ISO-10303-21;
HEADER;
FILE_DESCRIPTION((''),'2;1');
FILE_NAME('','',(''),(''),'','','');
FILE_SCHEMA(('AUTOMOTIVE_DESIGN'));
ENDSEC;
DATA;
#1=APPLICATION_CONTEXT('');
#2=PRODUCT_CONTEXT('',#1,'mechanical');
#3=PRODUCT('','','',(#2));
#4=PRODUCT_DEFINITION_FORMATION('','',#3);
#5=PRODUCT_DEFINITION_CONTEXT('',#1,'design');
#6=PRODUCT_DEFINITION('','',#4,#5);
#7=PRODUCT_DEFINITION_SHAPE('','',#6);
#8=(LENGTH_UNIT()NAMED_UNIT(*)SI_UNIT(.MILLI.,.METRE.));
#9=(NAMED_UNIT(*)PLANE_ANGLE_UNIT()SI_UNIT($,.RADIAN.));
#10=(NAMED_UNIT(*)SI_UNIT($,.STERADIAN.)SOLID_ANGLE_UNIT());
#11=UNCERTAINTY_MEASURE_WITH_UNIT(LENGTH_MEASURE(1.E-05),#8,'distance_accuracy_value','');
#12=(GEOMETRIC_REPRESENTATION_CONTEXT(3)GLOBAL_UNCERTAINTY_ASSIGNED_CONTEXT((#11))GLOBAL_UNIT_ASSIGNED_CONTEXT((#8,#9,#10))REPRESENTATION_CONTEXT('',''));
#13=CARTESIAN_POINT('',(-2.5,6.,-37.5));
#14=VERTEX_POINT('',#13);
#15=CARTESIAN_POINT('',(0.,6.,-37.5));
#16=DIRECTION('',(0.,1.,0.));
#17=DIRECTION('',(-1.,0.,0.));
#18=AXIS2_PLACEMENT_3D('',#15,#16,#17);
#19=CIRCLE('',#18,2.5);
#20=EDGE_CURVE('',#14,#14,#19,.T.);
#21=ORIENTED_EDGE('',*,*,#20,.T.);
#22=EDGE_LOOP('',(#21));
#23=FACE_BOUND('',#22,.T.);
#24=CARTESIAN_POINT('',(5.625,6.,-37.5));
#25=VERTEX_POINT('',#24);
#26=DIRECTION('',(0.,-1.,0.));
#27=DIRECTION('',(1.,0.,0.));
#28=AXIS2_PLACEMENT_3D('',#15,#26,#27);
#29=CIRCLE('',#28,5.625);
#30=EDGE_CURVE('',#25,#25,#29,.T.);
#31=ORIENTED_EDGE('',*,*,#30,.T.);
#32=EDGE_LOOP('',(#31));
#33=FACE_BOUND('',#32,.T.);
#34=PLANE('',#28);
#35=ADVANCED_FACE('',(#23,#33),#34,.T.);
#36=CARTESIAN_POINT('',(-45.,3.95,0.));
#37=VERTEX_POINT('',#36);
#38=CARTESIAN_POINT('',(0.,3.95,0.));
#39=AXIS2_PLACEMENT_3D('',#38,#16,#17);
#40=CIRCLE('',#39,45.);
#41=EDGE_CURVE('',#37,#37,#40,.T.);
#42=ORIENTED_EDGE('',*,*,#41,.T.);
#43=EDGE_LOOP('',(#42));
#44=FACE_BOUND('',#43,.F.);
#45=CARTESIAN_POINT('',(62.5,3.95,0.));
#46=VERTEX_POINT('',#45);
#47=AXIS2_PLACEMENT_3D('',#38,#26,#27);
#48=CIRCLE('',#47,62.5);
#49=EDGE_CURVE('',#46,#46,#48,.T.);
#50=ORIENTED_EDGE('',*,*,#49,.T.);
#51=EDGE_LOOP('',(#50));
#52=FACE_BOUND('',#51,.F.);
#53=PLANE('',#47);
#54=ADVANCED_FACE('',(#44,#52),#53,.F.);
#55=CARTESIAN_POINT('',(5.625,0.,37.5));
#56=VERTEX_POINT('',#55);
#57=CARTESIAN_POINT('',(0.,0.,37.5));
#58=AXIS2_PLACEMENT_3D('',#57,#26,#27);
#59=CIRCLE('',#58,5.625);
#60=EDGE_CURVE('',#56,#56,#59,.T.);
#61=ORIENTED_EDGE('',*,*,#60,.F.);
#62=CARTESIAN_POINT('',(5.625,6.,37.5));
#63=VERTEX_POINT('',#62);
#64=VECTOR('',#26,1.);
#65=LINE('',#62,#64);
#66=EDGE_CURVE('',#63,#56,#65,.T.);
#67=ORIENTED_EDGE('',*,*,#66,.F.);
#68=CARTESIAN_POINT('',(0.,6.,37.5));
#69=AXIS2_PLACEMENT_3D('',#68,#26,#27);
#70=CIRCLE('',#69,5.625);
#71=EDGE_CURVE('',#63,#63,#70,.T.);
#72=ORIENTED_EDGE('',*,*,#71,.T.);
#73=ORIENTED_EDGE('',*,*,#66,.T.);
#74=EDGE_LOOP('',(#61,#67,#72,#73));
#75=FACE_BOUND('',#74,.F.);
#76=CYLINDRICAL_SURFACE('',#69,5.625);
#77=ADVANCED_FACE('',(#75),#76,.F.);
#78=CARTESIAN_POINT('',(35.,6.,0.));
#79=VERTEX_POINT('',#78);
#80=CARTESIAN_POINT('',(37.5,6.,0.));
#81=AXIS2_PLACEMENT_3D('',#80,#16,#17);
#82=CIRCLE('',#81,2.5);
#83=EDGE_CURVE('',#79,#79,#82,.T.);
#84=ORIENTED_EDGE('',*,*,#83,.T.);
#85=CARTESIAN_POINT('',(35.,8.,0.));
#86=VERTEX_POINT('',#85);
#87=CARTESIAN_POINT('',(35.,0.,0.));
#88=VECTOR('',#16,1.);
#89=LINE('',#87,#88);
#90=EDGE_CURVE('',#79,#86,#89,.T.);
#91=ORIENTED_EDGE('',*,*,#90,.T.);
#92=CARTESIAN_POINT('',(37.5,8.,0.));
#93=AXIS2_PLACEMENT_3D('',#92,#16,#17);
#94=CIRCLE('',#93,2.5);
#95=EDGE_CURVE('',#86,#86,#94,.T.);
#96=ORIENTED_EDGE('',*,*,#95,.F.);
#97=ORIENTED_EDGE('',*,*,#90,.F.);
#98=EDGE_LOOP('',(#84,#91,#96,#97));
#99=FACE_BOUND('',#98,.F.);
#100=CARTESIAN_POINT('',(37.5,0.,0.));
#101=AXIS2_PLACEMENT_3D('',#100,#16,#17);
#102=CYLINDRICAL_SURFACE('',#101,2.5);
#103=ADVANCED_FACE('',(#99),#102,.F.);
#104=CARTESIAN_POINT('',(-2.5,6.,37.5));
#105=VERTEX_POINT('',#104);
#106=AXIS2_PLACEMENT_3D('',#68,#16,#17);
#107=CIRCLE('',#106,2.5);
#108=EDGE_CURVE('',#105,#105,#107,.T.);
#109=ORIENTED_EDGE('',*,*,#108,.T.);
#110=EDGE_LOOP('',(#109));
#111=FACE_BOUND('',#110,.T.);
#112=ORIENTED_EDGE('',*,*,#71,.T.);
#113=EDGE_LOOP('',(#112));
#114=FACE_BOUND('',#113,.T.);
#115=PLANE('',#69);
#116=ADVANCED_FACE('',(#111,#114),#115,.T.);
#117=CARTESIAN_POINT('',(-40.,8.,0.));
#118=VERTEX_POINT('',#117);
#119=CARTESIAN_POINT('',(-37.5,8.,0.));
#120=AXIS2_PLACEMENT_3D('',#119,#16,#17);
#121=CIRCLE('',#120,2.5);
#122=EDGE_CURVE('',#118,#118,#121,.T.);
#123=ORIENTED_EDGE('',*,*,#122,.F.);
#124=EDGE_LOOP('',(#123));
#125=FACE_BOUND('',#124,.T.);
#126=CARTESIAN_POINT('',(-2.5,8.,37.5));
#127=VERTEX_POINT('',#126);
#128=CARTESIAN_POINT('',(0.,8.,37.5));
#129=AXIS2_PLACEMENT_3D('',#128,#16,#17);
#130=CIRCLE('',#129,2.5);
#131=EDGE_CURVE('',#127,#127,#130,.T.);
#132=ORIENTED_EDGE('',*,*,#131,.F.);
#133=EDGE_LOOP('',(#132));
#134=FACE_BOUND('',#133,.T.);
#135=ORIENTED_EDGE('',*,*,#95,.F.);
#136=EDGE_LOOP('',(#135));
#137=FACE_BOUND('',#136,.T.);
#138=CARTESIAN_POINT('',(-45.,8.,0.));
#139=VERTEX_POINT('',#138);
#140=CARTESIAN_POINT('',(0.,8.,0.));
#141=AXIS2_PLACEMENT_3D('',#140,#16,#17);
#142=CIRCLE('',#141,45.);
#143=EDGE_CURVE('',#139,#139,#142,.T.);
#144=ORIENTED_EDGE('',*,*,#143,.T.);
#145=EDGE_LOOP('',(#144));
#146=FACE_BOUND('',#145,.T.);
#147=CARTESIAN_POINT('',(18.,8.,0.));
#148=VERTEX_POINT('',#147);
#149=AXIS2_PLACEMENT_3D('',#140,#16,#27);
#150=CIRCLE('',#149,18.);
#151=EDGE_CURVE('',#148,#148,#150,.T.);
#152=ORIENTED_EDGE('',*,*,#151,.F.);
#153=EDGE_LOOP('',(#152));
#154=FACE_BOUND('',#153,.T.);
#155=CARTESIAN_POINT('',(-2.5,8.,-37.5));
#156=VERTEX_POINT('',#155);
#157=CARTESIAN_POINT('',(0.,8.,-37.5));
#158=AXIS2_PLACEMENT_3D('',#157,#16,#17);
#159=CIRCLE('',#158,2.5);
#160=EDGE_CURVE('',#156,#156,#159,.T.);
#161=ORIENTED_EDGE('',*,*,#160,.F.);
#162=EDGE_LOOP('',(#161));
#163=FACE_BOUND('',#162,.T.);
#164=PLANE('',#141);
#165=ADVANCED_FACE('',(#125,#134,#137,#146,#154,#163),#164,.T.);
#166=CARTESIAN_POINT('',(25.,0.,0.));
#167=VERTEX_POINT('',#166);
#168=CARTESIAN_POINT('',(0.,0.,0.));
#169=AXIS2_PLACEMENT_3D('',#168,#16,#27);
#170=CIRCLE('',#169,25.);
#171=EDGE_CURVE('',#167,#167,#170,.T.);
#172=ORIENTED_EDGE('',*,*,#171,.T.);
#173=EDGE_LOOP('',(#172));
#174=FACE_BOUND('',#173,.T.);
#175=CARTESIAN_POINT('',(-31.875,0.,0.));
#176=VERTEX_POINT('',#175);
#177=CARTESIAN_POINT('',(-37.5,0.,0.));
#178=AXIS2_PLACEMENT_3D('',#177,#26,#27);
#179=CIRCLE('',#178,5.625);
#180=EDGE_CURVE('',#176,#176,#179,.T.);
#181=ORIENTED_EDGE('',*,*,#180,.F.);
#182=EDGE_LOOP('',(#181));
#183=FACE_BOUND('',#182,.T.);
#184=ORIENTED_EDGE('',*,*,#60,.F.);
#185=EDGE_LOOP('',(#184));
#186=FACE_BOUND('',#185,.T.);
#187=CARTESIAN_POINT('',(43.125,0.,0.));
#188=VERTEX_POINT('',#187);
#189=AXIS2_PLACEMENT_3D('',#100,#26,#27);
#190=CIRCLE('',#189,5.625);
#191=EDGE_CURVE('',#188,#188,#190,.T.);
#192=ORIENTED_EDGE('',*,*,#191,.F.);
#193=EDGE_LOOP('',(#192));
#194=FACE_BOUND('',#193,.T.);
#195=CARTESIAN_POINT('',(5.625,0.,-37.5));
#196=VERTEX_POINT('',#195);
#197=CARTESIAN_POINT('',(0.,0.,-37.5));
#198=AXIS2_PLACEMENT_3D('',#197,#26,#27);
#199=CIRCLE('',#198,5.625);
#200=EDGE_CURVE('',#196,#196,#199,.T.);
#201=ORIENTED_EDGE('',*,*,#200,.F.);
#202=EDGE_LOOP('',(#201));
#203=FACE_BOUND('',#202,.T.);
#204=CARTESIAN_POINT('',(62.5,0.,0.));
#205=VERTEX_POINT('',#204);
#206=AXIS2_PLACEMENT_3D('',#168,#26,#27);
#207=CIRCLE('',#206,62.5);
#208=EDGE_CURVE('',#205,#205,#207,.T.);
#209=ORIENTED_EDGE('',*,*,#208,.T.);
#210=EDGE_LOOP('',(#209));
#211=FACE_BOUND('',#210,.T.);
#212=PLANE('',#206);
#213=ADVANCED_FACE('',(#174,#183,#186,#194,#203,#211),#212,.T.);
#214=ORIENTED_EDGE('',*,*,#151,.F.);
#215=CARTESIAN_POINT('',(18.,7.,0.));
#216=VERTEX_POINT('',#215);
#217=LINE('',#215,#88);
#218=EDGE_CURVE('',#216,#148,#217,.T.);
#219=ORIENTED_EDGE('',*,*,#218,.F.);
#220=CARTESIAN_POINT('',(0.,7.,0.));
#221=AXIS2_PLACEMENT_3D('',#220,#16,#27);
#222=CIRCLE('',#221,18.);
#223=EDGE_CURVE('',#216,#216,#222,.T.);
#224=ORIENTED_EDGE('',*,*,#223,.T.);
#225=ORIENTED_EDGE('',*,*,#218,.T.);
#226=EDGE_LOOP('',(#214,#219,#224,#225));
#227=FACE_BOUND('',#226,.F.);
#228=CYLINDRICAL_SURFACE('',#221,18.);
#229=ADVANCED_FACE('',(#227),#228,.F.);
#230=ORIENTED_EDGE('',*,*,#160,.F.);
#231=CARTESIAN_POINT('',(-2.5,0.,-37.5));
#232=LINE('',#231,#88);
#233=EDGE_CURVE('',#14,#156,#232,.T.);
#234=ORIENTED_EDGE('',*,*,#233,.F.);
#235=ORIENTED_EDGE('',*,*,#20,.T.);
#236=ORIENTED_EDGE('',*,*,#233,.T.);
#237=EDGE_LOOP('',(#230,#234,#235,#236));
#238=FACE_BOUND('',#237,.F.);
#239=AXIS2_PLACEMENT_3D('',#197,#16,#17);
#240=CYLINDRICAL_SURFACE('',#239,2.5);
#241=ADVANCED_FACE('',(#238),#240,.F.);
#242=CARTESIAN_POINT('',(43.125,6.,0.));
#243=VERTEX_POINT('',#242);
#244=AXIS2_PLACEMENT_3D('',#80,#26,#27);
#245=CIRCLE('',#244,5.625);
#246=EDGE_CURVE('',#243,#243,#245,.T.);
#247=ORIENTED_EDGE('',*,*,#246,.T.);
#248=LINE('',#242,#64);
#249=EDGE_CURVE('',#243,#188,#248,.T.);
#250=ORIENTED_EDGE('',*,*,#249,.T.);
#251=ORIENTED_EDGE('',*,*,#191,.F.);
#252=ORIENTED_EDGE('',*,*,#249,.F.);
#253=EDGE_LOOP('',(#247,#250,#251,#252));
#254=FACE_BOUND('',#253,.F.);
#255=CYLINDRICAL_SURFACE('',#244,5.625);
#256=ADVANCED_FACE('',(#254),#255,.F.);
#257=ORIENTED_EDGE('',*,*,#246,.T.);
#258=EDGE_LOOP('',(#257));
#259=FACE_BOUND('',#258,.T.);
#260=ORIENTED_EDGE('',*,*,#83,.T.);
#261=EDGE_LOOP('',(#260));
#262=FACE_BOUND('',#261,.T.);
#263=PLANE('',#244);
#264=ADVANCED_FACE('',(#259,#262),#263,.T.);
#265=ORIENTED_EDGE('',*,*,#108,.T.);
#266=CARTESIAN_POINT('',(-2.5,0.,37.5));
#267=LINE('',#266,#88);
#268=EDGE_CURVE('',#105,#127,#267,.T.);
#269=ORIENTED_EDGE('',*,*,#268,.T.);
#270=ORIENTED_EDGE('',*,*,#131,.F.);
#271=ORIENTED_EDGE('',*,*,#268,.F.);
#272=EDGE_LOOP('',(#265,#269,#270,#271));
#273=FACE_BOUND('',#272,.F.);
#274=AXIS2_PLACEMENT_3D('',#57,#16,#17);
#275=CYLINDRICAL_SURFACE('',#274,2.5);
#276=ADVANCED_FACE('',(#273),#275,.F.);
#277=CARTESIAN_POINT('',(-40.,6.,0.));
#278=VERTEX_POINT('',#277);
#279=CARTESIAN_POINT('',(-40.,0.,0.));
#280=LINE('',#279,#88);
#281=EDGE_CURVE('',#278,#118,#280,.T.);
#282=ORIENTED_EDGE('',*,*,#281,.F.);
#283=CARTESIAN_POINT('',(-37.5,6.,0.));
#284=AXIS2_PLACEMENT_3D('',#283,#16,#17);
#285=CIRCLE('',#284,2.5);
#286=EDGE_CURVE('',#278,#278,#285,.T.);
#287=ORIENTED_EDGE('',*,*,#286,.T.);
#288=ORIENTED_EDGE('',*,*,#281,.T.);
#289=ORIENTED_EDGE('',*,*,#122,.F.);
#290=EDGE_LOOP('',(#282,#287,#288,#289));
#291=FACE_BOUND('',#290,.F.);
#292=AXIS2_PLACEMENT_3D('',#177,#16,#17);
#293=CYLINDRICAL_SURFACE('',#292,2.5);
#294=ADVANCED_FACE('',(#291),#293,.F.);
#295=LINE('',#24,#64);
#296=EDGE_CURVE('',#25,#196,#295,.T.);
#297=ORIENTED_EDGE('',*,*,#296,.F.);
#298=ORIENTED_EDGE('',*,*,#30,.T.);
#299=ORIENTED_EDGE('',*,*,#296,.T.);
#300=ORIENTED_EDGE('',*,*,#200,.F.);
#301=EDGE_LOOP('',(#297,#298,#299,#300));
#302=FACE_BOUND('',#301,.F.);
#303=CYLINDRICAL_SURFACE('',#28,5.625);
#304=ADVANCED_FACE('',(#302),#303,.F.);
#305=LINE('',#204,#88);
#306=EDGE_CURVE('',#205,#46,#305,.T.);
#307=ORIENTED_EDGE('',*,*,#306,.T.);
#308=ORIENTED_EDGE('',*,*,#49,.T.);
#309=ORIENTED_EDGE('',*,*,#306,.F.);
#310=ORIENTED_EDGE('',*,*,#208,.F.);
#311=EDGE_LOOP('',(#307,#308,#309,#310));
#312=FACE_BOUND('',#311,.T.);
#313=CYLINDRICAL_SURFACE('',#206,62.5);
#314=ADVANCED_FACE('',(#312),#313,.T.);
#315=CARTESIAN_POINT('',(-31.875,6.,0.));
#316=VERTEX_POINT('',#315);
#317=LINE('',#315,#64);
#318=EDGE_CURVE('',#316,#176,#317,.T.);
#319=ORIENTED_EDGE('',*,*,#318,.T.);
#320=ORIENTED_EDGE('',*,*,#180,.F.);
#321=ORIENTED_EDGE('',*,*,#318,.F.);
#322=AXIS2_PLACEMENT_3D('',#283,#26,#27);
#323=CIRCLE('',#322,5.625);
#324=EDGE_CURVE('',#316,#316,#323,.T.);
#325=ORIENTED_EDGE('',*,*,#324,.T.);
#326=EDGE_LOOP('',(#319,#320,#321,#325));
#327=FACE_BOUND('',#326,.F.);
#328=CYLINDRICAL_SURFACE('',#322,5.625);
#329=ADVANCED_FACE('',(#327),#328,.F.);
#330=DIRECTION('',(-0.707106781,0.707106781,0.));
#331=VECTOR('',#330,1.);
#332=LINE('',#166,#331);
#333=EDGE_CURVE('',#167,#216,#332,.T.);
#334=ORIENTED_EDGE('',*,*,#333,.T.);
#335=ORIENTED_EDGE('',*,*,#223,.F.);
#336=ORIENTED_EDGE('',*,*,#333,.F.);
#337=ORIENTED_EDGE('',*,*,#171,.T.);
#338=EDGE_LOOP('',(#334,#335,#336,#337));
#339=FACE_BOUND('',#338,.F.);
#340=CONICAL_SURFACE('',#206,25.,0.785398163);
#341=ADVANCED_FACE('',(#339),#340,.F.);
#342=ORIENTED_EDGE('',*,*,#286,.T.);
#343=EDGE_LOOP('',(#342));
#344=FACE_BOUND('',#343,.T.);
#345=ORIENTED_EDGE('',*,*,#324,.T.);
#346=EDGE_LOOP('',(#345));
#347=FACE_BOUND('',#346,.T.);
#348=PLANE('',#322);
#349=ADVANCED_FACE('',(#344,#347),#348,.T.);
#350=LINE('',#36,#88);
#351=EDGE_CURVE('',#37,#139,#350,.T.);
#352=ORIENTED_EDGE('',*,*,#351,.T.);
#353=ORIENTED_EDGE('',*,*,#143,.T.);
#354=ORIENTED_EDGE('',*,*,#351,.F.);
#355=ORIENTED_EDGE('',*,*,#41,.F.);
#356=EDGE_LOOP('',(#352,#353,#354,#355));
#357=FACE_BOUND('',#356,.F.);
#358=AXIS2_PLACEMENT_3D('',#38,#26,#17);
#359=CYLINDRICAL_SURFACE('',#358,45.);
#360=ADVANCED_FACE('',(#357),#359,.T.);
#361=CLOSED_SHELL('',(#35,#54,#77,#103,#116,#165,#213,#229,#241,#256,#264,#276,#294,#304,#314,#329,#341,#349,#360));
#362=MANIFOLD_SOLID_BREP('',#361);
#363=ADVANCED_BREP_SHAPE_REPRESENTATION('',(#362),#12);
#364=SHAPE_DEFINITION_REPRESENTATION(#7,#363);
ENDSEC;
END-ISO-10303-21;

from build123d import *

# Parameters (mm, degrees)
F0_R           = 62.5
F1_DEPTH       = 3.95
F2_R           = 45
F3_DEPTH       = 4.05
F6_D           = 5
F6_DEPTH       = 24.25
F6_CBORE_D     = 11.25
F6_CBORE_DEPTH = 6
F6_TIP         = 1.5021515476


with BuildPart() as f1:
    # F0 (on Front) → F1 (new body)
    with BuildSketch(Plane.XZ):
        Circle(F0_R)
    extrude(amount=-F1_DEPTH)

    # F2 (on face) → F3 (join)
    with BuildSketch(Plane(origin=(0, 3.95, 0), x_dir=(-1, 0, 0), z_dir=(0, 1, 0))):
        Circle(F2_R)
    extrude(amount=F3_DEPTH)

    # F4 (on Top) → F5 (revolve, cut)
    with BuildSketch(Plane.XY):
        Polygon((0, 8), (0, 0), (25, 0), (18, 7), (18, 8), align=None)
    revolve(axis=Axis((0, 4, 0), (0, 1, 0)), mode=Mode.SUBTRACT)

    # F6
    with Locations(Plane.XZ):
        with Locations((37.5, 0), (0, -37.5), (-37.5, 0), (0, 37.5)):
            CounterBoreHole(F6_D / 2, F6_CBORE_D / 2, F6_CBORE_DEPTH, depth=F6_DEPTH)
            with Locations((0, 0, -(F6_DEPTH + F6_TIP / 2))):  # 118° drill point
                Cone(0, F6_D / 2, F6_TIP, mode=Mode.SUBTRACT)


solid = f1.part
